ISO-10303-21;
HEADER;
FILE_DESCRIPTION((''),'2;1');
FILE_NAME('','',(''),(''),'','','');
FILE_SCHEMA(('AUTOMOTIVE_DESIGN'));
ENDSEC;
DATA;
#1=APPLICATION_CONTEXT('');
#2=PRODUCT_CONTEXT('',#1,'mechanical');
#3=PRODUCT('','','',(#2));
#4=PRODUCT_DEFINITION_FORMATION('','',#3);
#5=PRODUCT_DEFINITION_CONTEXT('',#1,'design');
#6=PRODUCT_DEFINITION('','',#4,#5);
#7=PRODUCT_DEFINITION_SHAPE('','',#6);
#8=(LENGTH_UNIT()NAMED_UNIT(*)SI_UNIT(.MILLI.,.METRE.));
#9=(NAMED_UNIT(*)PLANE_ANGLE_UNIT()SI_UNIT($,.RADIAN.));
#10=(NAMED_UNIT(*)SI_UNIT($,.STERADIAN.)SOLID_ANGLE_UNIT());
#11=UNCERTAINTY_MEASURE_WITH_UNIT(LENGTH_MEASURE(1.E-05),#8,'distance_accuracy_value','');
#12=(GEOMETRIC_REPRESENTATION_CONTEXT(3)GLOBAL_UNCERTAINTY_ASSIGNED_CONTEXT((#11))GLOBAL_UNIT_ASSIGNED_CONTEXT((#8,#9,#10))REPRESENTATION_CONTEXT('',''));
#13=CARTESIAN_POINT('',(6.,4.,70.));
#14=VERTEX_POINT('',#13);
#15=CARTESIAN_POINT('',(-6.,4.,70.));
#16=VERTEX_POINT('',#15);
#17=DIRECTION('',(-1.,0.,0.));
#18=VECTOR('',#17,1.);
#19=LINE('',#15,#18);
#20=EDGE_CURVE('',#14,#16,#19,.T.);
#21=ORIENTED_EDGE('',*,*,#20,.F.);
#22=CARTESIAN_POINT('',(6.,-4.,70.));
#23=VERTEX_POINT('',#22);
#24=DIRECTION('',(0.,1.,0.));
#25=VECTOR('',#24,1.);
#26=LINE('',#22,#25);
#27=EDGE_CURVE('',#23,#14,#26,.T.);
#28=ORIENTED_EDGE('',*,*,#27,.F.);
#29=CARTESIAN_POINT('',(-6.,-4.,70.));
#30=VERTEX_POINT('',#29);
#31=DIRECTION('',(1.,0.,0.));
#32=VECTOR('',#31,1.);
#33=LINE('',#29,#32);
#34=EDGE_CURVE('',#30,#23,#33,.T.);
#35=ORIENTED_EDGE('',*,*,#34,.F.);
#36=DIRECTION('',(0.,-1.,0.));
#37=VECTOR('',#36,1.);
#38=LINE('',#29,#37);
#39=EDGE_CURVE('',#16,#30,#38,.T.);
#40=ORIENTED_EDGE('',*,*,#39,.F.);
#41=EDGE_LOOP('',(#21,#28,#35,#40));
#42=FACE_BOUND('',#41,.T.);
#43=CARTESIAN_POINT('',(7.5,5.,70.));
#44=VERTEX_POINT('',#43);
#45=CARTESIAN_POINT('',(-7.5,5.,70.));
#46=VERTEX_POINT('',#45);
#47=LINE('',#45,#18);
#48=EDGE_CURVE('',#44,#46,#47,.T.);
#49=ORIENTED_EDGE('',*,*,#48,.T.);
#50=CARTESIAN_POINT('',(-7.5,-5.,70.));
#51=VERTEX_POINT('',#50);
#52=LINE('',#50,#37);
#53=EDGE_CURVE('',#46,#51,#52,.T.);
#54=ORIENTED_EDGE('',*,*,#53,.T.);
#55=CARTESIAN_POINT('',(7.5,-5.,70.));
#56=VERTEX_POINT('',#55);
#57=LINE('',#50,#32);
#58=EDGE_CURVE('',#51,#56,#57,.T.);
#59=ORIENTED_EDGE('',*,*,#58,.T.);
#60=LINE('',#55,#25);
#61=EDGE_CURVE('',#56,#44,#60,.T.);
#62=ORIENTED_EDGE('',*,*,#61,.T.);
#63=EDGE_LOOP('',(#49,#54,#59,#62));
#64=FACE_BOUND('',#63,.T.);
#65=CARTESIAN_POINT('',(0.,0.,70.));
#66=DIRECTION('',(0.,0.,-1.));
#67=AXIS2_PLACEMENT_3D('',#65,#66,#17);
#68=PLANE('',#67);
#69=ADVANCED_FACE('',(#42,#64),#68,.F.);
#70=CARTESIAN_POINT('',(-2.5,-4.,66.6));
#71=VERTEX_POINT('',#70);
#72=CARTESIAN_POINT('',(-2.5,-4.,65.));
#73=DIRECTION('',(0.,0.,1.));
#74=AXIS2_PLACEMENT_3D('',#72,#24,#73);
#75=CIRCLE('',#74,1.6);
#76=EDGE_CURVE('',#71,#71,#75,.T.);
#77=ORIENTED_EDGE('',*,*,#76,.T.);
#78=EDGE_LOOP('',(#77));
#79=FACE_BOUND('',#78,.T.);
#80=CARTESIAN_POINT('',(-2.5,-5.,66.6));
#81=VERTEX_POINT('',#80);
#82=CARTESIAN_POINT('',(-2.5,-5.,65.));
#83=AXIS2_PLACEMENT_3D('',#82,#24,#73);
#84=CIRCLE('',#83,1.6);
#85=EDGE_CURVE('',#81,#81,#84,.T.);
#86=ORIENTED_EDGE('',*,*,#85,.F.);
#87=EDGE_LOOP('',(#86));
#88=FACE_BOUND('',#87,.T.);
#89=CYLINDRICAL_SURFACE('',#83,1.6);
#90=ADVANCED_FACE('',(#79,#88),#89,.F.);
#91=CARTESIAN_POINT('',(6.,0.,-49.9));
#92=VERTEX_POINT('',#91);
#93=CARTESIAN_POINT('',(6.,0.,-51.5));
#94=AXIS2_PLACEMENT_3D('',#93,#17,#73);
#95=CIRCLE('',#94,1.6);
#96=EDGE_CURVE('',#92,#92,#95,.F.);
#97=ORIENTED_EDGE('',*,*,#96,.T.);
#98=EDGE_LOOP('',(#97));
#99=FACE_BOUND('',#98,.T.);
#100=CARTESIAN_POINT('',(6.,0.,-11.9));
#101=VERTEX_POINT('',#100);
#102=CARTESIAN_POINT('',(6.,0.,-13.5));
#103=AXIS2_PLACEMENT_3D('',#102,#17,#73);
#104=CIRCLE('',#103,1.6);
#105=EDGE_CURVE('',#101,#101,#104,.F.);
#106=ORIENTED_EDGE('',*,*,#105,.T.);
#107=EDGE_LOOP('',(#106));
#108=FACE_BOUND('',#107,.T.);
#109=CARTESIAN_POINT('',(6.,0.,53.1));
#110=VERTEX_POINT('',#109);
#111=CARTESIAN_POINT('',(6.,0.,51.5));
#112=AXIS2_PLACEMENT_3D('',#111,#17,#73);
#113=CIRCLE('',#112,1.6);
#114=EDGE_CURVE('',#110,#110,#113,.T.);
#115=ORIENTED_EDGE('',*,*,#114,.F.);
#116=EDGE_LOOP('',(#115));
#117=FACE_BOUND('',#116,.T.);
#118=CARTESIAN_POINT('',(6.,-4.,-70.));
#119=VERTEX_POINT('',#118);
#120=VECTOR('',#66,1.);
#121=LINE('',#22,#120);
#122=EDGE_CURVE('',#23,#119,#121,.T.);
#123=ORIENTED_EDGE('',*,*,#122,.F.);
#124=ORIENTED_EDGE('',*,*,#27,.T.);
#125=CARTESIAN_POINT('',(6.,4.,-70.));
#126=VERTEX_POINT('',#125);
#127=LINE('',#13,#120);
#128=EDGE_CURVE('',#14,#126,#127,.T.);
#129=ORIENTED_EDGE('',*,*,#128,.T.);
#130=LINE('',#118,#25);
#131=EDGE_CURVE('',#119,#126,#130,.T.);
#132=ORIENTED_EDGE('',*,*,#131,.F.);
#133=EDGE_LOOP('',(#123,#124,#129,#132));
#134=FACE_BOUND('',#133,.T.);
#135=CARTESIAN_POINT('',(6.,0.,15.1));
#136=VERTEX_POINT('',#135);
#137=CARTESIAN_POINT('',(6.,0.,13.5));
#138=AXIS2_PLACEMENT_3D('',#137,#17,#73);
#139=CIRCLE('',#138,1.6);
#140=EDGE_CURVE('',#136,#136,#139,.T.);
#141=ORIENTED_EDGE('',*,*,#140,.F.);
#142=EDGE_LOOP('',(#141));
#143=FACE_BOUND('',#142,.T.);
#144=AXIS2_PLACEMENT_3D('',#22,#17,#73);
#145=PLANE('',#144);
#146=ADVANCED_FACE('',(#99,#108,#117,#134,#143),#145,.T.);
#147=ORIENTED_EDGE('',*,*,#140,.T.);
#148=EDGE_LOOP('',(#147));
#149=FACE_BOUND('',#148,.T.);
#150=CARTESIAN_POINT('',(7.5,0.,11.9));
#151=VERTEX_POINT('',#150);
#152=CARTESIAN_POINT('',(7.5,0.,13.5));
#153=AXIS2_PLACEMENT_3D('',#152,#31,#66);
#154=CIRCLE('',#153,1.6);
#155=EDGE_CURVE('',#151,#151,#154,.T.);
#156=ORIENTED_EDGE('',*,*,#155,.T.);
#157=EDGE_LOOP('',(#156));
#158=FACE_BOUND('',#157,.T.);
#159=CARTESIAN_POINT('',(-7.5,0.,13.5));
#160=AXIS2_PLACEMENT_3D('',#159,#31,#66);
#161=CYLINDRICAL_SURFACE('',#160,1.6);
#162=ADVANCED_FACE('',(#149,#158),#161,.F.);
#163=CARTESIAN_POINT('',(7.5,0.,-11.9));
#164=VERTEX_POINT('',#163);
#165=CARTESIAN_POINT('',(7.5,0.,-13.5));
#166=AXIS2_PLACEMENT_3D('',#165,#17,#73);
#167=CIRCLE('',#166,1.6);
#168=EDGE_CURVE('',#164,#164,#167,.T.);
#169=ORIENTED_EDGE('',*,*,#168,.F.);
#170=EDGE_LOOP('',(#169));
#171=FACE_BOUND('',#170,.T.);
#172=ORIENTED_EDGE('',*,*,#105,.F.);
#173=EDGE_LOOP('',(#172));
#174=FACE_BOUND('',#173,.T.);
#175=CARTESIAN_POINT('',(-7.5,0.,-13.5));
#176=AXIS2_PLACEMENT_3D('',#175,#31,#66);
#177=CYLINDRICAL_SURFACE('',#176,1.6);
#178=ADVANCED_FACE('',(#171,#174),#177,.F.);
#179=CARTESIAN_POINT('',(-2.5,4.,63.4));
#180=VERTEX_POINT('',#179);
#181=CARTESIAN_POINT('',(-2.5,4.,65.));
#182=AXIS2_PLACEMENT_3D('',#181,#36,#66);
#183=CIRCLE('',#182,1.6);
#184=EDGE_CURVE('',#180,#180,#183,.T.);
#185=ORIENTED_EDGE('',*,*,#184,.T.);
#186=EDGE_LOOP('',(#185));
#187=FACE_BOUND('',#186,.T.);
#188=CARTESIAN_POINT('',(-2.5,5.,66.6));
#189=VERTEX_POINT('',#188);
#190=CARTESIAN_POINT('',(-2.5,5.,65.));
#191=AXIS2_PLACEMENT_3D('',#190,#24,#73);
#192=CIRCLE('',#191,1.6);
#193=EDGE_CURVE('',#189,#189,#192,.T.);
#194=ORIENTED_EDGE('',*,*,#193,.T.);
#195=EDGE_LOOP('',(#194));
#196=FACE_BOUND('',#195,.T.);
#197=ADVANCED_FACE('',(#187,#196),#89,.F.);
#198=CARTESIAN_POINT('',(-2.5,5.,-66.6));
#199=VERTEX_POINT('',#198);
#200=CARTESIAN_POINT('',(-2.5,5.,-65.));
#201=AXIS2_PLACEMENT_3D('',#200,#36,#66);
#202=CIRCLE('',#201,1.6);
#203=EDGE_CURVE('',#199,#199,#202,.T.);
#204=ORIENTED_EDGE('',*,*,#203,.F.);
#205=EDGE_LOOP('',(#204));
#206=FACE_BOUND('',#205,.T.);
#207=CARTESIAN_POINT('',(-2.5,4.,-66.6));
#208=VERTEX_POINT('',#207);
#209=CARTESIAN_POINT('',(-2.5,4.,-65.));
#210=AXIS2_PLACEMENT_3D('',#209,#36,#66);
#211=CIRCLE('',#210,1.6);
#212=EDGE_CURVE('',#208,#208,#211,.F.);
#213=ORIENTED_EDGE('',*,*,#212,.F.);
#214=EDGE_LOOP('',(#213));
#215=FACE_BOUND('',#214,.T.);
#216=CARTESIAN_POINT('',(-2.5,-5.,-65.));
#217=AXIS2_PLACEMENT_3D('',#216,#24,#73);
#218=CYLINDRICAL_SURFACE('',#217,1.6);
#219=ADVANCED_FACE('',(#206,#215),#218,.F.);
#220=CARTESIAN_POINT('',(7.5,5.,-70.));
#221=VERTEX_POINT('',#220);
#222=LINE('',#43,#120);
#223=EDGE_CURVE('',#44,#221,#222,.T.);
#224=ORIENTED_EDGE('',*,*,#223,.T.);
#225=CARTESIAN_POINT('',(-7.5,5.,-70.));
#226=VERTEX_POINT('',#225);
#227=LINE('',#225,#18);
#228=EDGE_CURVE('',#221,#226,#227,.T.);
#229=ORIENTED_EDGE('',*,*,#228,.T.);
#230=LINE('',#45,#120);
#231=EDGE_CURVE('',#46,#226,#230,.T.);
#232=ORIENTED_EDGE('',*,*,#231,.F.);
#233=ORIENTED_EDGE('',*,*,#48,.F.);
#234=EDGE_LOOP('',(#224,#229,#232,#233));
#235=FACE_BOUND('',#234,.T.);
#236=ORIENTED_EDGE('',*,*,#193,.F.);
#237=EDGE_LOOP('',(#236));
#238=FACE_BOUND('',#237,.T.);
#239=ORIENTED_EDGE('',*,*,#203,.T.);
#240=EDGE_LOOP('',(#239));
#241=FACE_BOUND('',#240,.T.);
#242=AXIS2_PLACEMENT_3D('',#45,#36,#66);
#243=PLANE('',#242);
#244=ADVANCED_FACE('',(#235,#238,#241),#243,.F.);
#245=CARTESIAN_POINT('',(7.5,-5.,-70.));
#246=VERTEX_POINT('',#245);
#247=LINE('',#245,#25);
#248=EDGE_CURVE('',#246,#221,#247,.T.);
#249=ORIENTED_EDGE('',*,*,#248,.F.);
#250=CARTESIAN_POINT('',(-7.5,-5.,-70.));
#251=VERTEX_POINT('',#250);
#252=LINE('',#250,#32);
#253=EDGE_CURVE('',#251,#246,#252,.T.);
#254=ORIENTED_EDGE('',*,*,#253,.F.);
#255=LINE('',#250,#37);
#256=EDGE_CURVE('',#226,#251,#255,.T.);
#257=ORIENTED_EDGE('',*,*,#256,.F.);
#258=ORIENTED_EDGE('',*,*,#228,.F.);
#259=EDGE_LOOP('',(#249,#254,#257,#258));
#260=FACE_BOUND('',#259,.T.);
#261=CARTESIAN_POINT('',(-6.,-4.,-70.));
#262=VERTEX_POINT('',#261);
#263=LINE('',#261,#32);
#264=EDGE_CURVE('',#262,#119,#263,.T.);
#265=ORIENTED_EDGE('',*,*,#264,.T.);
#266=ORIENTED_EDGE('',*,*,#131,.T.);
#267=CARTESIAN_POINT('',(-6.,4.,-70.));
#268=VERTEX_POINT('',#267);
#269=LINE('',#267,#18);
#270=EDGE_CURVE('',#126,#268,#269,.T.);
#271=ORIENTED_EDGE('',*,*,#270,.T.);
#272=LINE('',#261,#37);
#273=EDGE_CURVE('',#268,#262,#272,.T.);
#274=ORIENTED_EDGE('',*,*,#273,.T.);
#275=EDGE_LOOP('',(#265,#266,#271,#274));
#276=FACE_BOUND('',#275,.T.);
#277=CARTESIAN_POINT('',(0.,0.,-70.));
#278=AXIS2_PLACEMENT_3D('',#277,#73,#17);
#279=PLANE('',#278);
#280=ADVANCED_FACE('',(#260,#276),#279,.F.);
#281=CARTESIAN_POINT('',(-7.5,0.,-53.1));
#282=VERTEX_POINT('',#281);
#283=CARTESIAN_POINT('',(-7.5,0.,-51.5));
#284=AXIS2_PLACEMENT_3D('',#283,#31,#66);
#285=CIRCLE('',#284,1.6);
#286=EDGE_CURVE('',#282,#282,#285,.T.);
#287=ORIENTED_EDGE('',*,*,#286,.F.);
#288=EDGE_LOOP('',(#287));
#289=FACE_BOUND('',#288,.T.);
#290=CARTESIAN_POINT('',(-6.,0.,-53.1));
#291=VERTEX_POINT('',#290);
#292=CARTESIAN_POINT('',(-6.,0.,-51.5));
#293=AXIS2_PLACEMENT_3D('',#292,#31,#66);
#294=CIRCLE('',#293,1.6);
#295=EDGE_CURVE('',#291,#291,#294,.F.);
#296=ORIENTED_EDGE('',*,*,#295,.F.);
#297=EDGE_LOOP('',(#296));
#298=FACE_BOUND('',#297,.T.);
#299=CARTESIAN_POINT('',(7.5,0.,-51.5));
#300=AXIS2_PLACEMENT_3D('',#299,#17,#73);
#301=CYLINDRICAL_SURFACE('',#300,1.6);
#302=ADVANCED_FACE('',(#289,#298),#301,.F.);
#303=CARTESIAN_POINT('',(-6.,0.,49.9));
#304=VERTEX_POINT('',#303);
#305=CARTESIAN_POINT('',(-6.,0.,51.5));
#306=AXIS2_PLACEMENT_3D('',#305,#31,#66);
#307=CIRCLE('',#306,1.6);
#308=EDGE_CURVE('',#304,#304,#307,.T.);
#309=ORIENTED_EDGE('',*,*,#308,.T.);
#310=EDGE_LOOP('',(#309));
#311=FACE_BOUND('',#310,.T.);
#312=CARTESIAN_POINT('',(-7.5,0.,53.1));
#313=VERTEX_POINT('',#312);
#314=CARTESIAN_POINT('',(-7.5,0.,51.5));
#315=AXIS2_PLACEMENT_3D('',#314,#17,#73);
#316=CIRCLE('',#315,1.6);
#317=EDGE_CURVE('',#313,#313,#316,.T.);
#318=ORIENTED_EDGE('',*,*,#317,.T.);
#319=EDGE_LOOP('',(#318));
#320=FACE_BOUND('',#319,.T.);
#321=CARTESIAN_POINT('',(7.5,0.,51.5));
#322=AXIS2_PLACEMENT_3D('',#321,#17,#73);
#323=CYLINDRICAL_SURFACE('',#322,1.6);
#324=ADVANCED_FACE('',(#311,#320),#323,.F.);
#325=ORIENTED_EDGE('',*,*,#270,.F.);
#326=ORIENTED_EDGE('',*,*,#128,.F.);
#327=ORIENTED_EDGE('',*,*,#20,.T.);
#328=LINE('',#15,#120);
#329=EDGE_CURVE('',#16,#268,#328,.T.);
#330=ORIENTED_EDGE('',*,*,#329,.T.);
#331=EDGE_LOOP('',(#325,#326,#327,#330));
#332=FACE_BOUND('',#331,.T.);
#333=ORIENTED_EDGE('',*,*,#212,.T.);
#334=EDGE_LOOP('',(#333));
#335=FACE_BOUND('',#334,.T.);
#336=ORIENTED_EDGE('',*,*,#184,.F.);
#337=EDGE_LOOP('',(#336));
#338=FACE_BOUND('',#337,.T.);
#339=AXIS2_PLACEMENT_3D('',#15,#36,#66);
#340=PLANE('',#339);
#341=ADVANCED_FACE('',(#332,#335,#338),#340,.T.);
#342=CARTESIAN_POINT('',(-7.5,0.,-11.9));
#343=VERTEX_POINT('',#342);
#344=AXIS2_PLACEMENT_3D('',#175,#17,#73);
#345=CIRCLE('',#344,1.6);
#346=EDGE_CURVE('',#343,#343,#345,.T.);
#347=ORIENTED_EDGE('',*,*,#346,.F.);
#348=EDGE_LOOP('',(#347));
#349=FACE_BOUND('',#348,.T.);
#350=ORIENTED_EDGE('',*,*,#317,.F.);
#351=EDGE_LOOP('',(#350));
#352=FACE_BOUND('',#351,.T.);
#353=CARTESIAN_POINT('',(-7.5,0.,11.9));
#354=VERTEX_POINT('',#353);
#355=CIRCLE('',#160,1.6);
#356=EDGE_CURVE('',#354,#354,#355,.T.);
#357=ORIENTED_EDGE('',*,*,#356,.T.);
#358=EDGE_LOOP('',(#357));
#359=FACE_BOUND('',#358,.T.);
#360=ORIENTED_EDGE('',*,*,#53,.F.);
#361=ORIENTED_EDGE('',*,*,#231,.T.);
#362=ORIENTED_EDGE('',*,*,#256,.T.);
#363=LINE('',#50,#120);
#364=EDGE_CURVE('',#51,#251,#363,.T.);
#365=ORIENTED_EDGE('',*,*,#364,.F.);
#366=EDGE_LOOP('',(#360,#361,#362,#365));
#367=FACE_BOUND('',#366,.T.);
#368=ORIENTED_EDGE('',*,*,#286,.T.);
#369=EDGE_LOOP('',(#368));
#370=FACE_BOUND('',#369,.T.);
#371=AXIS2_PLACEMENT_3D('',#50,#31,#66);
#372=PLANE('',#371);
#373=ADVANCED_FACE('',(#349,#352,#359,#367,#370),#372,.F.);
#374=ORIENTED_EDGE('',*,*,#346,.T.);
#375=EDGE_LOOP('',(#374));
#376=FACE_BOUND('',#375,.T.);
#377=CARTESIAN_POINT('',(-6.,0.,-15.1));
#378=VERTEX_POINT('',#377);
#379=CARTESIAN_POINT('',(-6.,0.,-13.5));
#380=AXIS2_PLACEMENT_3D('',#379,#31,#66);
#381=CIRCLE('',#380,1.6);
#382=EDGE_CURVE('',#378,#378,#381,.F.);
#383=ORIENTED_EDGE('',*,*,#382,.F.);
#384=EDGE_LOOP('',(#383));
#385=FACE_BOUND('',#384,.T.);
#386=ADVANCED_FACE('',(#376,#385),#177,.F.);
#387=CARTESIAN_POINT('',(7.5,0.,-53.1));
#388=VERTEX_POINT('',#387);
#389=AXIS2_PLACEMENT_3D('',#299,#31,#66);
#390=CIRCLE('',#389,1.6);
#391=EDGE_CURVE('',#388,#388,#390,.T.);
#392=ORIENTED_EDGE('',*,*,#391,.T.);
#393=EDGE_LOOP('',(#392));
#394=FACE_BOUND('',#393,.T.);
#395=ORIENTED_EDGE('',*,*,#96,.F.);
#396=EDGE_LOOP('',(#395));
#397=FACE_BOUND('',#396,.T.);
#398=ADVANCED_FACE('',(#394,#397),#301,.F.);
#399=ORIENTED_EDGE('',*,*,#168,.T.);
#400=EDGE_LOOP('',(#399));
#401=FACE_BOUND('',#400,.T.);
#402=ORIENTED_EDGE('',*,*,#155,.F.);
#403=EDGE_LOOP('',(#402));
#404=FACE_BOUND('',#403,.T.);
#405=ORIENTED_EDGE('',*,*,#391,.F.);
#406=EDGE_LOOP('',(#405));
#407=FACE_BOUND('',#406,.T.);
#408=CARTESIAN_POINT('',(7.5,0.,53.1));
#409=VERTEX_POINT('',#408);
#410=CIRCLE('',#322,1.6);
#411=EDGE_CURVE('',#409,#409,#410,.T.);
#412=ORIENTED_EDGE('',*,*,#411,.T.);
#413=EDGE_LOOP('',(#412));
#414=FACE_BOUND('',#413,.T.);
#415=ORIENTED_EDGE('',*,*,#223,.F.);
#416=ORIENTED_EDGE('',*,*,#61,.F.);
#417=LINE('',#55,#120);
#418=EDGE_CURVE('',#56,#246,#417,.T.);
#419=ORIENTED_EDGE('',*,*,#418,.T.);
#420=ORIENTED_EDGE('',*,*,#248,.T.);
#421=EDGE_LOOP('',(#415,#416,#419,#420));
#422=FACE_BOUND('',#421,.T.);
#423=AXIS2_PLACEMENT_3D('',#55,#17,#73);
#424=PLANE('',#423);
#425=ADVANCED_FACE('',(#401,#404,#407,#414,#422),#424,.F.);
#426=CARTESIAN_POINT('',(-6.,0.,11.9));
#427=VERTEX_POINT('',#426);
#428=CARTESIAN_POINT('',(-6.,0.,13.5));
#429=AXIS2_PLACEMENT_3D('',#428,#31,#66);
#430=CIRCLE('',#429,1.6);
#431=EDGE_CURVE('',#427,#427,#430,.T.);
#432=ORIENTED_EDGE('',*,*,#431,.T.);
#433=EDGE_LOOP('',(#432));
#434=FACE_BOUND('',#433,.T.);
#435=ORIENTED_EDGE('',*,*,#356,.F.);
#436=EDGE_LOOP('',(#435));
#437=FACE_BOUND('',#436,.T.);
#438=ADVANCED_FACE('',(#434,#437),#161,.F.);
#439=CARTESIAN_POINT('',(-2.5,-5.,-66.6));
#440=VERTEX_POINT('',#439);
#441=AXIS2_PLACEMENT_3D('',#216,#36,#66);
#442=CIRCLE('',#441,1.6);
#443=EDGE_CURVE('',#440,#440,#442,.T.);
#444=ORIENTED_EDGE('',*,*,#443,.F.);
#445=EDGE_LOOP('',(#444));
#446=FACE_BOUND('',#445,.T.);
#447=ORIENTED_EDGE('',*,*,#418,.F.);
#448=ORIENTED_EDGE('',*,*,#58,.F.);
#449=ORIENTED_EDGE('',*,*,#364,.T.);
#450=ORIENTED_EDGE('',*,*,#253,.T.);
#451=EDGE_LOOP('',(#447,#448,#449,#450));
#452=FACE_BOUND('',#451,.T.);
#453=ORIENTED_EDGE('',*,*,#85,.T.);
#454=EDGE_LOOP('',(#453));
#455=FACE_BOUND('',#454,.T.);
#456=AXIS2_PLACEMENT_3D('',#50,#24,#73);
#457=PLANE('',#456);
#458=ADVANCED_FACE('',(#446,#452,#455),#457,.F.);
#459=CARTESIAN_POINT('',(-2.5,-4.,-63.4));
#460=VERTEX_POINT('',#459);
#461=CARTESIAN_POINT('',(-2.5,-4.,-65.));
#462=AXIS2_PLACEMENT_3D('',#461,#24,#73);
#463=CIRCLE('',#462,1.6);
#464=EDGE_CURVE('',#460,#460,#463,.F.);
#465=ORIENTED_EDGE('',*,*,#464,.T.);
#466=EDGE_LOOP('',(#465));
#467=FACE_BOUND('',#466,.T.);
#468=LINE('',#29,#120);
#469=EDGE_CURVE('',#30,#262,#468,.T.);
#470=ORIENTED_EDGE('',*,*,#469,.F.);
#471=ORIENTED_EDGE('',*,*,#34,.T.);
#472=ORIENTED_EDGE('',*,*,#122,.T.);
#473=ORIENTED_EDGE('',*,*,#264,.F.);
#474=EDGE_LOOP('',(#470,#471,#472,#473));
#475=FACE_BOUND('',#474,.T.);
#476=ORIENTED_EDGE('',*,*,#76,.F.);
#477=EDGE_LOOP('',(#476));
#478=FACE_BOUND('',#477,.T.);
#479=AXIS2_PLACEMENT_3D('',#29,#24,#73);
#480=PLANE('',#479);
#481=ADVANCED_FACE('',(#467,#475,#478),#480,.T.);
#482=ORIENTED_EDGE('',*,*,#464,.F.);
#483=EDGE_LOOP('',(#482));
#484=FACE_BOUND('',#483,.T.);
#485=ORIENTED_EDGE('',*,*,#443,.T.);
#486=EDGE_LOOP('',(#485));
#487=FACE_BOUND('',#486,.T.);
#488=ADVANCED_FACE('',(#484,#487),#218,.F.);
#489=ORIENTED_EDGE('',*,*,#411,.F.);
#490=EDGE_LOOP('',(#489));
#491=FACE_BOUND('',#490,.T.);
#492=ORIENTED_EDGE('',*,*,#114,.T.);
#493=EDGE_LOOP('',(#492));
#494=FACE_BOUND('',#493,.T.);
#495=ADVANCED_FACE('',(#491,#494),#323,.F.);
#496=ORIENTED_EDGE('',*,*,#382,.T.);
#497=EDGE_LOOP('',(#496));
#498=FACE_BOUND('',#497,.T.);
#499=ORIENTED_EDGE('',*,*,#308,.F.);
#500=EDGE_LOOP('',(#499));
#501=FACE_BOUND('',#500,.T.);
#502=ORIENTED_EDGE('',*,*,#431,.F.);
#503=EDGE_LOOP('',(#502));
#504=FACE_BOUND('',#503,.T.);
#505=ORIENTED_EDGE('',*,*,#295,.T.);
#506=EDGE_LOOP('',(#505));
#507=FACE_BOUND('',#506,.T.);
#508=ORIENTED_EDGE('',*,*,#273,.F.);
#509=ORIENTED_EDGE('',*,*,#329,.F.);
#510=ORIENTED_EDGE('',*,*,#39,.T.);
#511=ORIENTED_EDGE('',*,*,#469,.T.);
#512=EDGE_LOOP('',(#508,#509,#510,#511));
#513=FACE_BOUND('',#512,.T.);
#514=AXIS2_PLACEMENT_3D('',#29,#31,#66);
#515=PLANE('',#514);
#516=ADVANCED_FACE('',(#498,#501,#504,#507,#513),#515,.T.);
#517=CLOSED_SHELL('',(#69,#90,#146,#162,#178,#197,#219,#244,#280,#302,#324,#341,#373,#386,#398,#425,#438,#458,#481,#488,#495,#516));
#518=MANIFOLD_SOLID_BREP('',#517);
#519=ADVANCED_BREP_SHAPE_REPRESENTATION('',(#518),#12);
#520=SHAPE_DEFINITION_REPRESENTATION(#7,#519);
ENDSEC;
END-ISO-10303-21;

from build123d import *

# Parameters (mm, degrees)
SKETCH_1_W          = 15
SKETCH_1_H          = 10
SKETCH_1_W_2        = 12
SKETCH_1_H_2        = 8
EXTRUDE_1_DEPTH     = 70
SKETCH_2_R          = 1.6
CUT_EXTRUDE_1_DEPTH = 72.763500472
SKETCH_3_R          = 1.6
CUT_EXTRUDE_2_DEPTH = 72.107313267
SKETCH_4_R          = 1.6
CUT_EXTRUDE_3_DEPTH = 72.763500472


with BuildPart() as part:
    # ｽｹｯﾁ1 → ﾎﾞｽ - 押し出し1 (new body)
    with BuildSketch(Plane.XY):
        Rectangle(SKETCH_1_W, SKETCH_1_H)
        Rectangle(SKETCH_1_W_2, SKETCH_1_H_2, mode=Mode.SUBTRACT)
    extrude_1 = extrude(amount=EXTRUDE_1_DEPTH)

    # ｽｹｯﾁ2 → ｶｯﾄ - 押し出し1 (cut, through all)
    with BuildSketch(Plane(origin=(7.5, 0, 0), x_dir=(0, 0, -1), z_dir=(1, 0, 0))):
        with Locations((-13.5, 0)):
            Circle(SKETCH_2_R)
    cut_extrude_1 = extrude(amount=-CUT_EXTRUDE_1_DEPTH, mode=Mode.SUBTRACT)

    # ｽｹｯﾁ3 → ｶｯﾄ - 押し出し2 (cut, through all)
    with BuildSketch(Plane(origin=(0, 5, 0), x_dir=(1, 0, 0), z_dir=(0, 1, 0))):
        with Locations(Location((-2.5, -65, 0), (0, 0, 270))):
            Circle(SKETCH_3_R)
    cut_extrude_2 = extrude(amount=-CUT_EXTRUDE_2_DEPTH, mode=Mode.SUBTRACT)

    # ｽｹｯﾁ4 → ｶｯﾄ - 押し出し3 (cut, through all)
    with BuildSketch(Plane.ZY.offset(7.5)):
        with Locations((51.5, 0)):
            Circle(SKETCH_4_R)
    cut_extrude_3 = extrude(amount=-CUT_EXTRUDE_3_DEPTH, mode=Mode.SUBTRACT)

    # ﾐﾗｰ1: ﾎﾞｽ - 押し出し1, ｶｯﾄ - 押し出し1, ｶｯﾄ - 押し出し2, ｶｯﾄ - 押し出し3 across plane
    add(extrude_1.mirror(Plane(origin=(0, 0, 0), x_dir=(1, 0, 0), z_dir=(0, 0, -1))))
    add(cut_extrude_1.mirror(Plane(origin=(0, 0, 0), x_dir=(1, 0, 0), z_dir=(0, 0, -1))), mode=Mode.SUBTRACT)
    add(cut_extrude_2.mirror(Plane(origin=(0, 0, 0), x_dir=(1, 0, 0), z_dir=(0, 0, -1))), mode=Mode.SUBTRACT)
    add(cut_extrude_3.mirror(Plane(origin=(0, 0, 0), x_dir=(1, 0, 0), z_dir=(0, 0, -1))), mode=Mode.SUBTRACT)


solid = part.part
